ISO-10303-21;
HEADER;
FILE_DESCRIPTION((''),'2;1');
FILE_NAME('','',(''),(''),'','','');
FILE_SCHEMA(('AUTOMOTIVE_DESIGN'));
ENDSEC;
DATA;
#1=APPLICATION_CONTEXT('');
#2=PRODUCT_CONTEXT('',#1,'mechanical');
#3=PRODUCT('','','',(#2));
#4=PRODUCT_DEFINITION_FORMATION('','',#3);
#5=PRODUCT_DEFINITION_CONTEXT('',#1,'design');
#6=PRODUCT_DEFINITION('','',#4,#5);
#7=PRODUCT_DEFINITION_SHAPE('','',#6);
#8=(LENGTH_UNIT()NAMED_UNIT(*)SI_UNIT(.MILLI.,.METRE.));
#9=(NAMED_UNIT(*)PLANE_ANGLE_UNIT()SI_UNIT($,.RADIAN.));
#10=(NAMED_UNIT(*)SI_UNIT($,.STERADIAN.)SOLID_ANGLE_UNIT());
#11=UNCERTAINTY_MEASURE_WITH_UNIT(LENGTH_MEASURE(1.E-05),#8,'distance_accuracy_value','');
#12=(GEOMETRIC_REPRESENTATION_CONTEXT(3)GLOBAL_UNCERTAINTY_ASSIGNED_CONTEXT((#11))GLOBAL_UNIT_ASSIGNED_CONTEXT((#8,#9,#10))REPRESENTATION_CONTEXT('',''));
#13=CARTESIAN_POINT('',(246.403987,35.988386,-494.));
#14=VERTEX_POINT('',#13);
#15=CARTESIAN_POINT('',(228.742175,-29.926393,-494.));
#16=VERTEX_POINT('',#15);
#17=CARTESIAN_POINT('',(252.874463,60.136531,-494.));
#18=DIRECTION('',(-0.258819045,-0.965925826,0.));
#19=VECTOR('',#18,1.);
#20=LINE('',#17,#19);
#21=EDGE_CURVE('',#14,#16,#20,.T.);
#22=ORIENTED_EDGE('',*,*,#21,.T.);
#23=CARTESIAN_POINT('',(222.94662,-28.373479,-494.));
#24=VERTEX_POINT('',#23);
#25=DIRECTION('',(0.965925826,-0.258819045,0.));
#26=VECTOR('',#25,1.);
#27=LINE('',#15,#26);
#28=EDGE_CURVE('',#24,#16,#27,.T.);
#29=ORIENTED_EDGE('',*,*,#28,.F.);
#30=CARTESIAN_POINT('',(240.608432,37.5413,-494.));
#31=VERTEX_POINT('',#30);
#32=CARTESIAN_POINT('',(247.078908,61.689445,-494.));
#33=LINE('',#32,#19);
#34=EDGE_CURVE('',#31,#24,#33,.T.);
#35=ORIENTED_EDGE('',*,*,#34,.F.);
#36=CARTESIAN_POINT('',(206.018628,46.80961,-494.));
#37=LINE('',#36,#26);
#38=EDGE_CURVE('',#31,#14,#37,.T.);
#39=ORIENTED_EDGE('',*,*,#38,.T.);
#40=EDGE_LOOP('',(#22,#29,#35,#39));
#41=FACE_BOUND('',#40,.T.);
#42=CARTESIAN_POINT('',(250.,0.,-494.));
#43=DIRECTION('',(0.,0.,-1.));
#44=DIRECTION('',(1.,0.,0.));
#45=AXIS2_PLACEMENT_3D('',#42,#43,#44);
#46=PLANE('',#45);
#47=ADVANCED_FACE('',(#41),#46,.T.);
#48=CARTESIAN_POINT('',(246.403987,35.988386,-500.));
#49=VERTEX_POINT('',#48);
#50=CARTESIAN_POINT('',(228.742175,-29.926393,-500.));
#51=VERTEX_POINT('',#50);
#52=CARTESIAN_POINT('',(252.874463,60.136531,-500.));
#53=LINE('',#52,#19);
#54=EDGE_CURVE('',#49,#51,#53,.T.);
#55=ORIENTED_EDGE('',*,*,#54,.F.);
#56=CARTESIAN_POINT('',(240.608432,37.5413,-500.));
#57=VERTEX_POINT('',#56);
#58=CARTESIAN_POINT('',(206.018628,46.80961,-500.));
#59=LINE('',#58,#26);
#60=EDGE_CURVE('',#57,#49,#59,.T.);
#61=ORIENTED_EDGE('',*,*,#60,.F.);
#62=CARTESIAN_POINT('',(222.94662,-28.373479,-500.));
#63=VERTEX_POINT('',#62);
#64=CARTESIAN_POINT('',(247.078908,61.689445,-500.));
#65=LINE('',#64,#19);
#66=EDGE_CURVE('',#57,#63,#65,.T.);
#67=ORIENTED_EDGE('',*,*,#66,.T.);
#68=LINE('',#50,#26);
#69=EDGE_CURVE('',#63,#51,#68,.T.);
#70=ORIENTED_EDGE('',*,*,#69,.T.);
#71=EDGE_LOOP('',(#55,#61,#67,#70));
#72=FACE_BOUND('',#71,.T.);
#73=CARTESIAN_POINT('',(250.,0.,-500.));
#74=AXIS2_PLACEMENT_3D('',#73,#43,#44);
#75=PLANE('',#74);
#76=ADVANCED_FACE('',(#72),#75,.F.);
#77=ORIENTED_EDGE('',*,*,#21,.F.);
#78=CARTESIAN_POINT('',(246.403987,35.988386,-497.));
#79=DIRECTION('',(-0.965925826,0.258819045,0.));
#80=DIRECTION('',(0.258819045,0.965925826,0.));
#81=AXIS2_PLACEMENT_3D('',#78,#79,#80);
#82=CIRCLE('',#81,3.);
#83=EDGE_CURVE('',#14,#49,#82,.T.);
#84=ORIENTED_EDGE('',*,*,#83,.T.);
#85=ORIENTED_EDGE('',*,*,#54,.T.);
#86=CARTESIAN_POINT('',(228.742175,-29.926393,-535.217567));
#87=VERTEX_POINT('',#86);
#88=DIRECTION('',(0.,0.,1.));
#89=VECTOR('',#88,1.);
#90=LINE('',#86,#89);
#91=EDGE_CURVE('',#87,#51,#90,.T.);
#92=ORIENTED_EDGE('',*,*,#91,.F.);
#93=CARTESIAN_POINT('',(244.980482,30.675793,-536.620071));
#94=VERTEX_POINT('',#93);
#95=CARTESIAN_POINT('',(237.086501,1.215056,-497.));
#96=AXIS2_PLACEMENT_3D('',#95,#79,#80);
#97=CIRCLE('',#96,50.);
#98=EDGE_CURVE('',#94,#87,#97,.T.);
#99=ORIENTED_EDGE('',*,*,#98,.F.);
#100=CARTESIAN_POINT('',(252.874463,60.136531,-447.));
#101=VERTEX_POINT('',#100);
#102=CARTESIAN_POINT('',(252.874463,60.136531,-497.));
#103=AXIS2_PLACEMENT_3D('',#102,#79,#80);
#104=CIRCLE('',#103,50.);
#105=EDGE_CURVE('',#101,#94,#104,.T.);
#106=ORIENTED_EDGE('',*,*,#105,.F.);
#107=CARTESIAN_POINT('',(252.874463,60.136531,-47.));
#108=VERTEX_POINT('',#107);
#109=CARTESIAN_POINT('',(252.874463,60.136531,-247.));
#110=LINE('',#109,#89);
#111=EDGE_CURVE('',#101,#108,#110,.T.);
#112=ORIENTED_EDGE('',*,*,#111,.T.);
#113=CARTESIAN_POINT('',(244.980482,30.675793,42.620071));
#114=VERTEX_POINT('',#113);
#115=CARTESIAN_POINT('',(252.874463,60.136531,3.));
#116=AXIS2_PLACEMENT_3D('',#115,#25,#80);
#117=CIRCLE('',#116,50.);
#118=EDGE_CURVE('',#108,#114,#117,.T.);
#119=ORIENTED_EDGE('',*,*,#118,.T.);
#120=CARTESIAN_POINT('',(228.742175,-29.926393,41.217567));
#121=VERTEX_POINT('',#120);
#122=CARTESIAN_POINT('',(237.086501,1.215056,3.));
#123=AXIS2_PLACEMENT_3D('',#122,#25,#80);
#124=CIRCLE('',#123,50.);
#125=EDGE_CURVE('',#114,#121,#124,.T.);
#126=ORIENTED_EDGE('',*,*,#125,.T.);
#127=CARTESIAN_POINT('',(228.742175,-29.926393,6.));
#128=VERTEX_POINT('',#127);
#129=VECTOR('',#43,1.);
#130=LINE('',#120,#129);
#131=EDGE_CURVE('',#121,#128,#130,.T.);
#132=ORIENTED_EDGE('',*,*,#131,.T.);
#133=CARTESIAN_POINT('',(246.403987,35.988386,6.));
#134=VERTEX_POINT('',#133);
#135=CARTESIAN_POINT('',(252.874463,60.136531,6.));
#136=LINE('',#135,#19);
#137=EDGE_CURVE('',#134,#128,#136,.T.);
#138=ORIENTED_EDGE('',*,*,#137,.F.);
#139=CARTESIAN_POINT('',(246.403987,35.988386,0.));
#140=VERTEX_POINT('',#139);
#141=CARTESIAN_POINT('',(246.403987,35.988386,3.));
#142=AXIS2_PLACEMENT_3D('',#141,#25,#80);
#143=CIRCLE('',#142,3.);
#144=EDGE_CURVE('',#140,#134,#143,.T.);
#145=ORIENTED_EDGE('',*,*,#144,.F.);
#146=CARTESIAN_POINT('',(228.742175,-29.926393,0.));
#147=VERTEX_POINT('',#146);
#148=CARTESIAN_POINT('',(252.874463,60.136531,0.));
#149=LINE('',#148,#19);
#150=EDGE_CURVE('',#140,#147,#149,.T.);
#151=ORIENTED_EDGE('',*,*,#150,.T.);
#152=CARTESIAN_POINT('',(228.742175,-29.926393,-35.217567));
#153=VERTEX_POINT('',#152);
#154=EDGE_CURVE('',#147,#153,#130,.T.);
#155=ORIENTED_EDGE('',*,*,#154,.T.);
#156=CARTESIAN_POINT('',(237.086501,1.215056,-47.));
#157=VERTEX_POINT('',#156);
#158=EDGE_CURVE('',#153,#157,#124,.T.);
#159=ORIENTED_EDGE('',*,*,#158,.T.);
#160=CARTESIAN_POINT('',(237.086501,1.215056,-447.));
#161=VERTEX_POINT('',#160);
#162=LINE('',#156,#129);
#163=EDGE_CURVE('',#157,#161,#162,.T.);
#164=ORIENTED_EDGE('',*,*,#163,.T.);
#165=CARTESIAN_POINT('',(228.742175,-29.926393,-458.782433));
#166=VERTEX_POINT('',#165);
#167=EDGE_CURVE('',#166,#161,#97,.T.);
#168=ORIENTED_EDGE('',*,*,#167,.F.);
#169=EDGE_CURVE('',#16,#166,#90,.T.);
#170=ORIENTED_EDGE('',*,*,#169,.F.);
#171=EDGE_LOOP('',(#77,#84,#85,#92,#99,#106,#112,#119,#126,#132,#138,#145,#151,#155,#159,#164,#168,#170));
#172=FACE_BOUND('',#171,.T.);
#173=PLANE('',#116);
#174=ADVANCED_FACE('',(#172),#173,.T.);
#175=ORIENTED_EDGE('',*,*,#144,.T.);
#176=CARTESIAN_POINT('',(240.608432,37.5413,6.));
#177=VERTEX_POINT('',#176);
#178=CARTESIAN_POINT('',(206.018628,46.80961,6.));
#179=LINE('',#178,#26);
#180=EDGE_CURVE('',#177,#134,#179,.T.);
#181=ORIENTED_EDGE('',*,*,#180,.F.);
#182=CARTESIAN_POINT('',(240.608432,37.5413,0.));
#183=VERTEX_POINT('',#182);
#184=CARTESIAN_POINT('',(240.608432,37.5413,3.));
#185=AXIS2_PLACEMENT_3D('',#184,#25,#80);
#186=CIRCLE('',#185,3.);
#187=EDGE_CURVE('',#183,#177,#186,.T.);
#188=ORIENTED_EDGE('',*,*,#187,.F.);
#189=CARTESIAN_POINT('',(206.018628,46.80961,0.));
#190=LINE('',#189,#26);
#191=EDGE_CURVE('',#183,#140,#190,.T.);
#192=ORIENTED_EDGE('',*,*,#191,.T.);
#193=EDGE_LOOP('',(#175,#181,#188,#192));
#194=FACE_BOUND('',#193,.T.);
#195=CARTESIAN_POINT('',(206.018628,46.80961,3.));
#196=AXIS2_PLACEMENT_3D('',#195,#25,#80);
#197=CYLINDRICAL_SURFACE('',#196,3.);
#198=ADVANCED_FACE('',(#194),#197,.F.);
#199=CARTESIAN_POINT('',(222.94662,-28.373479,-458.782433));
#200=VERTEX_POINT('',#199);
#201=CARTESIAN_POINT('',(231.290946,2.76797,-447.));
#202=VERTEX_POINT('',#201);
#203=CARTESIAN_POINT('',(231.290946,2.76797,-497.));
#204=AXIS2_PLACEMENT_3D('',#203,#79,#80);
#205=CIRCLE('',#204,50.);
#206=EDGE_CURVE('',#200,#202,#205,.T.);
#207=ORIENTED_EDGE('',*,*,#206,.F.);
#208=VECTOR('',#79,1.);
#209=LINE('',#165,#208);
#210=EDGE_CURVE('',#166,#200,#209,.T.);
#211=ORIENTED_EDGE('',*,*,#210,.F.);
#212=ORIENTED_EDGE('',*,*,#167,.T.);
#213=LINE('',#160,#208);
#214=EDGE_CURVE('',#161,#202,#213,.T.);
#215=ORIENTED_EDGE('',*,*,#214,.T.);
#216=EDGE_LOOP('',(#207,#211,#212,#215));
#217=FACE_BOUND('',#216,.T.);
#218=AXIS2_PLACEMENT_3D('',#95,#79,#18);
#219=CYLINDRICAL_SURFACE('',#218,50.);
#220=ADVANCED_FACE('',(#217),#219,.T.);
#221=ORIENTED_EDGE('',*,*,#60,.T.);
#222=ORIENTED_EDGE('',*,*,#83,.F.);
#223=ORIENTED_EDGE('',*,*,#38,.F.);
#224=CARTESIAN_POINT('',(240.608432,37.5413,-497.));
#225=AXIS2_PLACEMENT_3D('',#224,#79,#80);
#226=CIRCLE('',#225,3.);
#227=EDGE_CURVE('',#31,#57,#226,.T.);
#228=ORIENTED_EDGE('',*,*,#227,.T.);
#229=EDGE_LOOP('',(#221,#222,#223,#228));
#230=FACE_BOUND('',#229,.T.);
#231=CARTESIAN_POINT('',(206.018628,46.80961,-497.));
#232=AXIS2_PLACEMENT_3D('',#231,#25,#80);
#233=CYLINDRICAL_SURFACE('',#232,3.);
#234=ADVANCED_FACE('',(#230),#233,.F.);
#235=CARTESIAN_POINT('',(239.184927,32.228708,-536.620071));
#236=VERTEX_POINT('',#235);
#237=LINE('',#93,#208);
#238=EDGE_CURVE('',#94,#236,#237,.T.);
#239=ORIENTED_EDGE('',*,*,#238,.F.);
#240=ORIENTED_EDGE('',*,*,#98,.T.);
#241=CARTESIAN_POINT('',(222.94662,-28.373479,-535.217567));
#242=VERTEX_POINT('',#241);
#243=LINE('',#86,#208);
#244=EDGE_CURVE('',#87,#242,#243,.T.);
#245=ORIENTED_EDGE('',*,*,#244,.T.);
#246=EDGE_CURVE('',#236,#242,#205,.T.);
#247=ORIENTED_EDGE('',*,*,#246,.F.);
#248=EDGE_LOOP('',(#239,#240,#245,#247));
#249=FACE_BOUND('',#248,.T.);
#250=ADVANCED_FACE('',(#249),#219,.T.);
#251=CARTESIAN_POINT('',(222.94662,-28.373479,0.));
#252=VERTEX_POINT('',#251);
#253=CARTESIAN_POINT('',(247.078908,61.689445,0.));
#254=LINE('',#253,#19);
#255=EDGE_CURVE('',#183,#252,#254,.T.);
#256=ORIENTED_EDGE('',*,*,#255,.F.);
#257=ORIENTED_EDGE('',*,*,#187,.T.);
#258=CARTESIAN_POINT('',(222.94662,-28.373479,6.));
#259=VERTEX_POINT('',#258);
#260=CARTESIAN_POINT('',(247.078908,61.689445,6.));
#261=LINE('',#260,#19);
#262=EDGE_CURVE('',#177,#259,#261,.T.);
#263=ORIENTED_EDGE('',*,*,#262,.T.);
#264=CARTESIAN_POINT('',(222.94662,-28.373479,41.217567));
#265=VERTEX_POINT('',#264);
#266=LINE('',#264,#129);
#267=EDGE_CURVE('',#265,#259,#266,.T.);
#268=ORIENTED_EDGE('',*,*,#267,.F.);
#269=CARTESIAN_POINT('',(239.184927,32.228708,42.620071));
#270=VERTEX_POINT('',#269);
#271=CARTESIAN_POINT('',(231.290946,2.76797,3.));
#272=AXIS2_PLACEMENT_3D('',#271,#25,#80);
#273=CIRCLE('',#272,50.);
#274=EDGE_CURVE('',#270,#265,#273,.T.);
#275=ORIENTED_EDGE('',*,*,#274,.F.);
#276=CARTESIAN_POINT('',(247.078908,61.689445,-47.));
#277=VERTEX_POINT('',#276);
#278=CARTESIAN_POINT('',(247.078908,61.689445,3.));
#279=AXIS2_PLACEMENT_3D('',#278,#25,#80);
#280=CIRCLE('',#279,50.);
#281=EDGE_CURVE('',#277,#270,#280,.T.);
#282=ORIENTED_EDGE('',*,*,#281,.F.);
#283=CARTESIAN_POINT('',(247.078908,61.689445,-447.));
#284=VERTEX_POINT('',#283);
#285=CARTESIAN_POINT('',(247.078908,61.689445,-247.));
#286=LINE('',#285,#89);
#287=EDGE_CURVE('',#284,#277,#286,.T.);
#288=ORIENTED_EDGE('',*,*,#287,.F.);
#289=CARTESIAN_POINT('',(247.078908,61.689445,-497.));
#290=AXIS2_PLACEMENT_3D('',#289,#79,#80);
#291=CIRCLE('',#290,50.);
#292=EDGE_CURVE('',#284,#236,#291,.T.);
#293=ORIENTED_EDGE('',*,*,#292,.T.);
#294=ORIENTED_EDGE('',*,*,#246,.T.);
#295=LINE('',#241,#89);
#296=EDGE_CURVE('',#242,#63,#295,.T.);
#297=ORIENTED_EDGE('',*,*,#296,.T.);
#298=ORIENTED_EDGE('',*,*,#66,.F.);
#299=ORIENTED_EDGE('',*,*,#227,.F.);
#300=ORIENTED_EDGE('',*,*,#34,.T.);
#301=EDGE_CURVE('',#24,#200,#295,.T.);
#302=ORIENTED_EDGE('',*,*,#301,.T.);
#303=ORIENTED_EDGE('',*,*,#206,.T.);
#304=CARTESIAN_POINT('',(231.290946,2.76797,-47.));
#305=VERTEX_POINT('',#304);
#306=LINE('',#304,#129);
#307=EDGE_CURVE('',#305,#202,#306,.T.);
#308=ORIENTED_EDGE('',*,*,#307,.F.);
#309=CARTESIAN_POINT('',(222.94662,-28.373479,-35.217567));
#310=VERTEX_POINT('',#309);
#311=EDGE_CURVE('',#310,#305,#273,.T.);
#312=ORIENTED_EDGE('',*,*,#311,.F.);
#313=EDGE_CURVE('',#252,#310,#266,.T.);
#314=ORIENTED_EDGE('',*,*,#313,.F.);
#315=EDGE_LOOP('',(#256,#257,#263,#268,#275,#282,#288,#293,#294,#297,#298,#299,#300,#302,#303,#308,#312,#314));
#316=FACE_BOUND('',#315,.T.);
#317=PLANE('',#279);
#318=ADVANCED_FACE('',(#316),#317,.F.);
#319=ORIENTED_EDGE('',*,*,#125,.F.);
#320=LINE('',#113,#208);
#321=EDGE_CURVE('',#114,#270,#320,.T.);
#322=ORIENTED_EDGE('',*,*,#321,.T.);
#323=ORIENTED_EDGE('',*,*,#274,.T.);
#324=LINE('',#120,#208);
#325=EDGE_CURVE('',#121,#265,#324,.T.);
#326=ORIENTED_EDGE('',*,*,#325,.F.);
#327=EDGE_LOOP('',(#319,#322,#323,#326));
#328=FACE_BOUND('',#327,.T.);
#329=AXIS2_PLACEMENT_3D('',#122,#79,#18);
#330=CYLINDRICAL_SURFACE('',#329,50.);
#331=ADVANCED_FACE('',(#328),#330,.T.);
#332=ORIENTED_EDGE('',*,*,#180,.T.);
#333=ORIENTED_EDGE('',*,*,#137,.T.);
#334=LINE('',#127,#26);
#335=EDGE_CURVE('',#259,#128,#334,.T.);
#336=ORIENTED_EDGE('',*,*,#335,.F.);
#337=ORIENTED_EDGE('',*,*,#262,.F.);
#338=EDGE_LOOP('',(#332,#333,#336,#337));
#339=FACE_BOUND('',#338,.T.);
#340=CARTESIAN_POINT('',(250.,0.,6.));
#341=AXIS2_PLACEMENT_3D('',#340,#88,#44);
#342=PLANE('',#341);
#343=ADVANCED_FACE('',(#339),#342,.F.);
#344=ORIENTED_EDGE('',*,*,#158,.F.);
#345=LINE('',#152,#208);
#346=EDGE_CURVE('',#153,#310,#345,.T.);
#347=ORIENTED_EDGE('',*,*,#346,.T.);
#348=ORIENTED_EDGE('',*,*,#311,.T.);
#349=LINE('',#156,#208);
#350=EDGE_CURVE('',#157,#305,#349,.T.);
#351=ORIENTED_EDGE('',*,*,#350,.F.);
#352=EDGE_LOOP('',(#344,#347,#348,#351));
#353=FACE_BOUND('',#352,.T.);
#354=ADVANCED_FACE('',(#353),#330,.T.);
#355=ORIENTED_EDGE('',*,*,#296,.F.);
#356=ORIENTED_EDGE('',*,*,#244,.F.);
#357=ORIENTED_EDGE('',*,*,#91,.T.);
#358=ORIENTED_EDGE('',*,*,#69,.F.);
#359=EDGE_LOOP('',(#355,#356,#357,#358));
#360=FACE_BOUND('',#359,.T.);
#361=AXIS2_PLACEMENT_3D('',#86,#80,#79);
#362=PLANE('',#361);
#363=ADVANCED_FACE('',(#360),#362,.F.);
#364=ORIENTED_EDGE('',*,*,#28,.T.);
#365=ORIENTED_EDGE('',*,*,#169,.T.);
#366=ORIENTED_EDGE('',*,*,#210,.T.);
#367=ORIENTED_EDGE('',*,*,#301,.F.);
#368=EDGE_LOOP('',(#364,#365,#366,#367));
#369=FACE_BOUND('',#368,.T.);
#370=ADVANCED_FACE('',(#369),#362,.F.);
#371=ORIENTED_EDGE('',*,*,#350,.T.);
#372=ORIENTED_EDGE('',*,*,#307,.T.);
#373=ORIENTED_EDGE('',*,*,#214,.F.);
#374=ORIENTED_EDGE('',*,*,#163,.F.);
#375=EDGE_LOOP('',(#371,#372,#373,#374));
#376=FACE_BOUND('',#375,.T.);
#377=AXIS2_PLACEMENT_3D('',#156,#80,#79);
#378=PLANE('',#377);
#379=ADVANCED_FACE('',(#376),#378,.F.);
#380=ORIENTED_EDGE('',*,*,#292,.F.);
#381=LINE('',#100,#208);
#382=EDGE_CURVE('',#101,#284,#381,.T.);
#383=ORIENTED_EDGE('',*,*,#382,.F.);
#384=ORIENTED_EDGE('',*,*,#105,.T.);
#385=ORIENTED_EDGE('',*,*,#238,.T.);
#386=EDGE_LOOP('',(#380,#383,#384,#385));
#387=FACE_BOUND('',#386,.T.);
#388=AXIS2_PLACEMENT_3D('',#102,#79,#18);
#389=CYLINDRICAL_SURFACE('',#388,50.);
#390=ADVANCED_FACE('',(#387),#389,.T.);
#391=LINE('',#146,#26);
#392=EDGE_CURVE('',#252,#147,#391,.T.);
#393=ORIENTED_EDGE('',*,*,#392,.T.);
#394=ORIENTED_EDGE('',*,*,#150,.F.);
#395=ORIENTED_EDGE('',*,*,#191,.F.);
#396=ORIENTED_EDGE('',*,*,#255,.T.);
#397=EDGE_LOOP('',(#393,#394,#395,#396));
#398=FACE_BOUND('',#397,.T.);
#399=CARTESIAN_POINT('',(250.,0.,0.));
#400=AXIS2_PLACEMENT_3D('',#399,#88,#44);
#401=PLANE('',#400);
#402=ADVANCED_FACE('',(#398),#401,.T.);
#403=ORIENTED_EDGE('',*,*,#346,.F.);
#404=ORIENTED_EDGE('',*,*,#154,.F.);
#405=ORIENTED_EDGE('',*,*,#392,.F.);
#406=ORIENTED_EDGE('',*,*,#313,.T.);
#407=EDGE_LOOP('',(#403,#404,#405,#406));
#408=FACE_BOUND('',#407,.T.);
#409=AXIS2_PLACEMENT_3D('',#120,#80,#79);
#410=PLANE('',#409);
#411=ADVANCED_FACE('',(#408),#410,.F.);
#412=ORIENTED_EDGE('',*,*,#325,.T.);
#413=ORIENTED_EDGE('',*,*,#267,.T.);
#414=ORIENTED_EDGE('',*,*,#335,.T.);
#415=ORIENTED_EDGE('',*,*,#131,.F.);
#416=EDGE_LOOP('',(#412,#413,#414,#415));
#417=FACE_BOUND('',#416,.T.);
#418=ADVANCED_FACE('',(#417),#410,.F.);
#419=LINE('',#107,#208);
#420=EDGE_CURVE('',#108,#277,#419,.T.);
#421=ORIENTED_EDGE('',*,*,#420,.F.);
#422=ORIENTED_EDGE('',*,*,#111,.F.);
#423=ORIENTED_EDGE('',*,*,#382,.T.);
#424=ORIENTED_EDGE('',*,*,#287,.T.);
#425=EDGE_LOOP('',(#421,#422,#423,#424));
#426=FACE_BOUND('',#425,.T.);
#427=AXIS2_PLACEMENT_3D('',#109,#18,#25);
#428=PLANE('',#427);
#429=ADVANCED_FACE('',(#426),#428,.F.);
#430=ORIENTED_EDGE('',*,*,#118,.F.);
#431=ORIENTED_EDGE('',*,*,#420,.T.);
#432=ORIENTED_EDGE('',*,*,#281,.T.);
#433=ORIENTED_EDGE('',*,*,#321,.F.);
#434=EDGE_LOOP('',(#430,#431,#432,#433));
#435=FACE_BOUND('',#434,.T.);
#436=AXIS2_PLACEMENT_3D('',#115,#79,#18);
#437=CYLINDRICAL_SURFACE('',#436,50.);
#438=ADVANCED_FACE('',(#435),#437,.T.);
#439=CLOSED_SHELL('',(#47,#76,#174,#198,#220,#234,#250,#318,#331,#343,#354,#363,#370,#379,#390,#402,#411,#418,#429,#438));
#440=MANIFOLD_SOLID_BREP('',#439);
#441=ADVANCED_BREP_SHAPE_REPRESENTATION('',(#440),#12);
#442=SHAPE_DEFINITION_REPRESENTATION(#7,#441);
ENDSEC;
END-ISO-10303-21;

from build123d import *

# Parameters (mm, degrees)
RESSALTO_EXTRUS_O2_DEPTH = 6
RESSALTO_EXTRUS_O3_DEPTH = 6
CORTE_EXTRUS_O1_DEPTH    = 303.732253462


with BuildPart() as part:
    # Esboço1 → Ressalto-extrusão2 (new body)
    with BuildSketch(Plane.XY):
        with BuildLine():
            Line((-199.999999999, 0), (199.999999999, 0))
            ThreePointArc((199.999999999, 0), (202.565835097, -15.811388301), (209.999999999, -30))
            Line((209.999999999, -30), (289.999999999, -30))
            ThreePointArc((289.999999999, -30), (299.999014124, 0.31398499), (289.62007067, 30.5))
            ThreePointArc((289.62007067, 30.5), (297.818976076, 75.60635228), (265.815415017, 108.432822474))
            Line((265.815415017, 108.432822474), (246.403986634, 35.988385502))
            ThreePointArc((246.403986634, 35.988385502), (242.72975202, 33.867065158), (240.608431676, 37.541299773))
            Line((240.608431676, 37.541299773), (260.019860059, 109.985736744))
            ThreePointArc((260.019860059, 109.985736744), (218.38507475, 99.736242739), (199.999999999, 61))
            Line((199.999999999, 61), (140, 61))
            Line((140, 61), (150.784643454, 58.387579086))
            Line((150.784643454, 58.387579086), (139.047219324, 52.742194858))
            Line((139.047219324, 52.742194858), (160.085396074, 40.245061921))
            Line((160.085396074, 40.245061921), (137.597498913, 43.437533109))
            Line((137.597498913, 43.437533109), (153.154101004, 34.194272541))
            Line((153.154101004, 34.194272541), (138.26257587, 30.30469508))
            Line((138.26257587, 30.30469508), (144.152507453, 26))
            Line((144.152507453, 26), (149.999999999, 26))
            ThreePointArc((149.999999999, 26), (152.999999999, 23), (149.999999999, 20))
            Line((149.999999999, 20), (-149.999999999, 20))
            ThreePointArc((-149.999999999, 20), (-152.999999999, 23), (-149.999999999, 26))
            Line((-149.999999999, 26), (-144.152507453, 26))
            Line((-144.152507453, 26), (-138.26257587, 30.30469508))
            Line((-138.26257587, 30.30469508), (-153.154101004, 34.194272541))
            Line((-153.154101004, 34.194272541), (-137.597498913, 43.437533109))
            Line((-137.597498913, 43.437533109), (-160.085396074, 40.245061921))
            Line((-160.085396074, 40.245061921), (-139.047219324, 52.742194858))
            Line((-139.047219324, 52.742194858), (-150.784643454, 58.387579086))
            Line((-150.784643454, 58.387579086), (-140, 61))
            Line((-140, 61), (-199.999999999, 61))
            ThreePointArc((-199.999999999, 61), (-218.38507475, 99.736242739), (-260.019860059, 109.985736744))
            Line((-260.019860059, 109.985736744), (-240.608431676, 37.541299773))
            ThreePointArc((-240.608431676, 37.541299773), (-242.72975202, 33.867065158), (-246.403986634, 35.988385502))
            Line((-246.403986634, 35.988385502), (-265.815415017, 108.432822474))
            ThreePointArc((-265.815415017, 108.432822474), (-297.818976076, 75.60635228), (-289.62007067, 30.5))
            ThreePointArc((-289.62007067, 30.5), (-299.999014124, 0.31398499), (-289.999999999, -30))
            Line((-289.999999999, -30), (-209.999999999, -30))
            ThreePointArc((-209.999999999, -30), (-202.565835097, -15.811388301), (-199.999999999, 0))
        make_face()
    extrude(amount=RESSALTO_EXTRUS_O2_DEPTH)


with BuildPart() as body_2:
    # Esboço4 → Ressalto-extrusão3 (new body)
    with BuildSketch(Plane(origin=(215.105397993, -57.63731768, 0), x_dir=(0, 0, -1), z_dir=(0.9659258262890679, -0.25881904510252246, 0))):
        with BuildLine():
            Line((246.999999999, 62.536155533), (246.999999999, 123.536155533))
            Line((246.999999999, 123.536155533), (47, 123.536155533))
            ThreePointArc((47, 123.536155533), (32.355339059, 158.891494592), (-3, 173.536155533))
            ThreePointArc((-3, 173.536155533), (-47.860896112, 145.615557699), (-42.620070671, 93.036155533))
            ThreePointArc((-42.620070671, 93.036155533), (-52.987511897, 61.418723482), (-41.217566642, 30.296155533))
            Line((-41.217566642, 30.296155533), (35.217566642, 30.296155533))
            ThreePointArc((35.217566642, 30.296155533), (43.96210351, 45.373380875), (47, 62.536155533))
            Line((47, 62.536155533), (246.999999999, 62.536155533))
        make_face()
    extrude(amount=RESSALTO_EXTRUS_O3_DEPTH)

    # Combinar1: cut part
    add(part.part, mode=Mode.SUBTRACT)

    # Esboço6 → Corte-extrusão1 (cut, through all)
    with BuildSketch(Plane(origin=(220.900952951, -59.190231951, 0), x_dir=(0, 0, -1), z_dir=(0.9659258262890679, -0.2588190451025225, 0))):
        with BuildLine():
            Line((-6, 98.536155533), (-6, 92.597624289))
            Line((-6, 92.597624289), (0, 92.597624289))
            Line((0, 92.597624289), (0, 98.536155533))
            ThreePointArc((0, 98.536155533), (-3, 101.536155533), (-6, 98.536155533))
        make_face()
    extrude(amount=-CORTE_EXTRUS_O1_DEPTH, mode=Mode.SUBTRACT)

    # Espelhar2: body 2 across plane


with BuildPart() as body_2_1:
    add(body_2.part)
    add(body_2.part.mirror(Plane(origin=(237.086501011, 1.215055756, -246.999999999), x_dir=(1, 0, 0), z_dir=(0, 0, 1))))


solid = body_2_1.part
